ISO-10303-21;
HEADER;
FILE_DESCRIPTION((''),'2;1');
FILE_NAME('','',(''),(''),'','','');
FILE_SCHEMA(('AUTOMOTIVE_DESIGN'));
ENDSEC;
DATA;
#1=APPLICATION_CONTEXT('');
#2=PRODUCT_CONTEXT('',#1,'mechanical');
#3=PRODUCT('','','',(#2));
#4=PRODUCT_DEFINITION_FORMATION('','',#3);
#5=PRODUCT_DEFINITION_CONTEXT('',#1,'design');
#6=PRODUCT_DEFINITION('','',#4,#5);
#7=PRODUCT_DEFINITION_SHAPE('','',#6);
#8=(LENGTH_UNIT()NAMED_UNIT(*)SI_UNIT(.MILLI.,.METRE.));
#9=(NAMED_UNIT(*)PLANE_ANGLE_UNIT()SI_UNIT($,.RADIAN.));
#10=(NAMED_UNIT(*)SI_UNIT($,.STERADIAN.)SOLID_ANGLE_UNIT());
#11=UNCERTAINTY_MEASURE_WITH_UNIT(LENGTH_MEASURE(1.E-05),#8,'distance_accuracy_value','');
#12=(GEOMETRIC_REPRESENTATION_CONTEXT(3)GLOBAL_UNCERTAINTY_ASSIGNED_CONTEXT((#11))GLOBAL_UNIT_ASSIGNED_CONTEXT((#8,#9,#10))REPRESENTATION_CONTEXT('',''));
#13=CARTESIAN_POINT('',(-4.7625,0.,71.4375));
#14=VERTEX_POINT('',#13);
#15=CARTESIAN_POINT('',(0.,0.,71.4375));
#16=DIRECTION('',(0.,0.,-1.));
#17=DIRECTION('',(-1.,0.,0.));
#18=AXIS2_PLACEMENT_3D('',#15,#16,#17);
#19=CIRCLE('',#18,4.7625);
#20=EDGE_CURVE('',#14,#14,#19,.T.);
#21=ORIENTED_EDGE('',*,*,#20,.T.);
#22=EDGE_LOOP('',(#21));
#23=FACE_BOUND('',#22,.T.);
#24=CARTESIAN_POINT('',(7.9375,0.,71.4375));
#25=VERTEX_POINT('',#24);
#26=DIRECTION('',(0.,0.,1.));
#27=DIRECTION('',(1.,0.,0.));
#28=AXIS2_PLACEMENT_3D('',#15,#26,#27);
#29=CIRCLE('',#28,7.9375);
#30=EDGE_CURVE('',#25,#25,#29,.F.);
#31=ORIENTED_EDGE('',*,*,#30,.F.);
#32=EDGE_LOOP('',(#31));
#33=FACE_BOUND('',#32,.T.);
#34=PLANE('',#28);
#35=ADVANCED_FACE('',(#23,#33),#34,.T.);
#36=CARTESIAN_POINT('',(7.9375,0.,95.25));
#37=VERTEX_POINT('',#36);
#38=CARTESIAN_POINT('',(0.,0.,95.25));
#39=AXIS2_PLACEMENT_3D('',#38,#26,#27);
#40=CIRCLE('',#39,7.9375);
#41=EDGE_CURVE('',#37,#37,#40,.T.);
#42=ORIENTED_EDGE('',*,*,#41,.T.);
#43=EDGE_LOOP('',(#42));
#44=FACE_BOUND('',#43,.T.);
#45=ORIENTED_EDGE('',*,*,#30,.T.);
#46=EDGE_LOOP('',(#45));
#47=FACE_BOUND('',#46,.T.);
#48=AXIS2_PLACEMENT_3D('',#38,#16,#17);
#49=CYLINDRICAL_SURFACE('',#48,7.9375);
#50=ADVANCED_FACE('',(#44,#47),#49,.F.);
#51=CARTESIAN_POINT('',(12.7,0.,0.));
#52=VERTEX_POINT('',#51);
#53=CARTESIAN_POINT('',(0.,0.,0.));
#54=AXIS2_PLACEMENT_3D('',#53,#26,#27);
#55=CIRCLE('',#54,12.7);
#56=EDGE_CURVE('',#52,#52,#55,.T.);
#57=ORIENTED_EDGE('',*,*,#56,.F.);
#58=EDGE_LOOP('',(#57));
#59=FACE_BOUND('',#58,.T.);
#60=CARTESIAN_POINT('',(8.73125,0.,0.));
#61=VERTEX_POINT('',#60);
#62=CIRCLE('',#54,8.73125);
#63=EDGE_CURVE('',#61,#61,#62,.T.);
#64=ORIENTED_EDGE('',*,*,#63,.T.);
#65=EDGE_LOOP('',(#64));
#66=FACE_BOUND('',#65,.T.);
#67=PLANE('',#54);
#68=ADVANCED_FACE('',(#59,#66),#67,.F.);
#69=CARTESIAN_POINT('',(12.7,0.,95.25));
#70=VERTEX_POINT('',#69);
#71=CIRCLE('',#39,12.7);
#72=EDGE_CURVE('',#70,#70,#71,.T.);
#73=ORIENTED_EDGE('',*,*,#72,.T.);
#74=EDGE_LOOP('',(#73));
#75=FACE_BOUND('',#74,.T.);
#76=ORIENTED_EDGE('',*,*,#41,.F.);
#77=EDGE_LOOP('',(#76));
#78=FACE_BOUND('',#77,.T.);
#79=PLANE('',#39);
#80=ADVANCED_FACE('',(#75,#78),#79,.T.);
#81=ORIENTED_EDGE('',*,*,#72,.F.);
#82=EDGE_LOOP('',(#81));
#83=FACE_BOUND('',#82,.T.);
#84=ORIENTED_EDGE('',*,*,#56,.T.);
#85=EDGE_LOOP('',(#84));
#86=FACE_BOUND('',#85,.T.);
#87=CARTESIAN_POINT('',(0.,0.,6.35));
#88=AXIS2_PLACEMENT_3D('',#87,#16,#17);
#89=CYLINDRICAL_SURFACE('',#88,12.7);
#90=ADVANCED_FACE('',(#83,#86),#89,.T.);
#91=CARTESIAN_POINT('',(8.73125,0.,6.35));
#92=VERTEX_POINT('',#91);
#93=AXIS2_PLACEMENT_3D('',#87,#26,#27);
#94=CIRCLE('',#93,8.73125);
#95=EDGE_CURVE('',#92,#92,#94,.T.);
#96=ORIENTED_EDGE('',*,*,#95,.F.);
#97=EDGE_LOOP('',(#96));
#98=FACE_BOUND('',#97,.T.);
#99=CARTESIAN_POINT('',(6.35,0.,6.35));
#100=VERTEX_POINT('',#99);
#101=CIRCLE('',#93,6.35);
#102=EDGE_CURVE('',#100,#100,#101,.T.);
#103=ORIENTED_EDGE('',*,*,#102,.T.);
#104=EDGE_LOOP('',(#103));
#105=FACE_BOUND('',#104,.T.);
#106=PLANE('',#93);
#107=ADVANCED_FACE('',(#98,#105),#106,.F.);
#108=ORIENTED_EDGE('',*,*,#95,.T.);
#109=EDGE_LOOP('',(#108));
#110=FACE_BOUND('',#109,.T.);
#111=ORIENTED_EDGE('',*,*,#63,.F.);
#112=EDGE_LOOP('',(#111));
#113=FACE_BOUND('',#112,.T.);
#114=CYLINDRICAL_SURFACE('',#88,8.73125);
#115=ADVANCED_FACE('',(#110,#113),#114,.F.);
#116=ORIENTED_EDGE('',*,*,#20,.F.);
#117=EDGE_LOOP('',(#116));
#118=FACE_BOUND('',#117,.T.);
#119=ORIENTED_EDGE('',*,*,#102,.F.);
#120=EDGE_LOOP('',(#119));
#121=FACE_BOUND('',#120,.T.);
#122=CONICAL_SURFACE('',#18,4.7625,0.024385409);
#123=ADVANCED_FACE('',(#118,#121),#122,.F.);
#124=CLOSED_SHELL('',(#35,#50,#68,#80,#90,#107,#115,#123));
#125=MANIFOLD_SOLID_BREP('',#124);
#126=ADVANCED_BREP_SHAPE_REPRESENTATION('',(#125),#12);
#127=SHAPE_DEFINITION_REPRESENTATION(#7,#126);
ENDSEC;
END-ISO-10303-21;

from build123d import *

# Parameters (mm, degrees)
SKETCH1_R           = 12.7
SKETCH1_R_2         = 8.73125
BOSS_EXTRUDE1_DEPTH = 6.35
SKETCH2_R           = 12.7
SKETCH2_R_2         = 7.9375
BOSS_EXTRUDE2_DEPTH = 23.8125
SKETCH5_R           = 12.7
BOSS_EXTRUDE4_DEPTH = 65.0875
SKETCH6_R           = 6.35
SKETCH3_R           = 4.7625


with BuildPart() as part:
    # Sketch1 → Boss-Extrude1 (new body)
    with BuildSketch(Plane.XY):
        Circle(SKETCH1_R)
        Circle(SKETCH1_R_2, mode=Mode.SUBTRACT)
    extrude(amount=BOSS_EXTRUDE1_DEPTH)



with BuildPart() as body_2:
    # Sketch2 → Boss-Extrude2 (new body)
    with BuildSketch(Plane.XY.offset(71.4375)):
        Circle(SKETCH2_R)
        Circle(SKETCH2_R_2, mode=Mode.SUBTRACT)
    extrude(amount=BOSS_EXTRUDE2_DEPTH)


with BuildPart() as part_1:
    add(part.part)

    add(body_2.part)  # Boss-Extrude4 merges body 2
    # Sketch5 → Boss-Extrude4 (add)
    with BuildSketch(Plane.XY.offset(6.35)):
        Circle(SKETCH5_R)
    extrude(amount=BOSS_EXTRUDE4_DEPTH)

    # Sketch6 → Cut-Loft1 section 0
    with BuildSketch(Plane.XY.offset(6.35)):
        Circle(SKETCH6_R)
    # Sketch3 → Cut-Loft1 section 1
    with BuildSketch(Plane(origin=(0, 0, 71.4375), x_dir=(-1, 0, 0), z_dir=(0, 0, -1))):
        Circle(SKETCH3_R)
    loft(mode=Mode.SUBTRACT)


solid = part_1.part
